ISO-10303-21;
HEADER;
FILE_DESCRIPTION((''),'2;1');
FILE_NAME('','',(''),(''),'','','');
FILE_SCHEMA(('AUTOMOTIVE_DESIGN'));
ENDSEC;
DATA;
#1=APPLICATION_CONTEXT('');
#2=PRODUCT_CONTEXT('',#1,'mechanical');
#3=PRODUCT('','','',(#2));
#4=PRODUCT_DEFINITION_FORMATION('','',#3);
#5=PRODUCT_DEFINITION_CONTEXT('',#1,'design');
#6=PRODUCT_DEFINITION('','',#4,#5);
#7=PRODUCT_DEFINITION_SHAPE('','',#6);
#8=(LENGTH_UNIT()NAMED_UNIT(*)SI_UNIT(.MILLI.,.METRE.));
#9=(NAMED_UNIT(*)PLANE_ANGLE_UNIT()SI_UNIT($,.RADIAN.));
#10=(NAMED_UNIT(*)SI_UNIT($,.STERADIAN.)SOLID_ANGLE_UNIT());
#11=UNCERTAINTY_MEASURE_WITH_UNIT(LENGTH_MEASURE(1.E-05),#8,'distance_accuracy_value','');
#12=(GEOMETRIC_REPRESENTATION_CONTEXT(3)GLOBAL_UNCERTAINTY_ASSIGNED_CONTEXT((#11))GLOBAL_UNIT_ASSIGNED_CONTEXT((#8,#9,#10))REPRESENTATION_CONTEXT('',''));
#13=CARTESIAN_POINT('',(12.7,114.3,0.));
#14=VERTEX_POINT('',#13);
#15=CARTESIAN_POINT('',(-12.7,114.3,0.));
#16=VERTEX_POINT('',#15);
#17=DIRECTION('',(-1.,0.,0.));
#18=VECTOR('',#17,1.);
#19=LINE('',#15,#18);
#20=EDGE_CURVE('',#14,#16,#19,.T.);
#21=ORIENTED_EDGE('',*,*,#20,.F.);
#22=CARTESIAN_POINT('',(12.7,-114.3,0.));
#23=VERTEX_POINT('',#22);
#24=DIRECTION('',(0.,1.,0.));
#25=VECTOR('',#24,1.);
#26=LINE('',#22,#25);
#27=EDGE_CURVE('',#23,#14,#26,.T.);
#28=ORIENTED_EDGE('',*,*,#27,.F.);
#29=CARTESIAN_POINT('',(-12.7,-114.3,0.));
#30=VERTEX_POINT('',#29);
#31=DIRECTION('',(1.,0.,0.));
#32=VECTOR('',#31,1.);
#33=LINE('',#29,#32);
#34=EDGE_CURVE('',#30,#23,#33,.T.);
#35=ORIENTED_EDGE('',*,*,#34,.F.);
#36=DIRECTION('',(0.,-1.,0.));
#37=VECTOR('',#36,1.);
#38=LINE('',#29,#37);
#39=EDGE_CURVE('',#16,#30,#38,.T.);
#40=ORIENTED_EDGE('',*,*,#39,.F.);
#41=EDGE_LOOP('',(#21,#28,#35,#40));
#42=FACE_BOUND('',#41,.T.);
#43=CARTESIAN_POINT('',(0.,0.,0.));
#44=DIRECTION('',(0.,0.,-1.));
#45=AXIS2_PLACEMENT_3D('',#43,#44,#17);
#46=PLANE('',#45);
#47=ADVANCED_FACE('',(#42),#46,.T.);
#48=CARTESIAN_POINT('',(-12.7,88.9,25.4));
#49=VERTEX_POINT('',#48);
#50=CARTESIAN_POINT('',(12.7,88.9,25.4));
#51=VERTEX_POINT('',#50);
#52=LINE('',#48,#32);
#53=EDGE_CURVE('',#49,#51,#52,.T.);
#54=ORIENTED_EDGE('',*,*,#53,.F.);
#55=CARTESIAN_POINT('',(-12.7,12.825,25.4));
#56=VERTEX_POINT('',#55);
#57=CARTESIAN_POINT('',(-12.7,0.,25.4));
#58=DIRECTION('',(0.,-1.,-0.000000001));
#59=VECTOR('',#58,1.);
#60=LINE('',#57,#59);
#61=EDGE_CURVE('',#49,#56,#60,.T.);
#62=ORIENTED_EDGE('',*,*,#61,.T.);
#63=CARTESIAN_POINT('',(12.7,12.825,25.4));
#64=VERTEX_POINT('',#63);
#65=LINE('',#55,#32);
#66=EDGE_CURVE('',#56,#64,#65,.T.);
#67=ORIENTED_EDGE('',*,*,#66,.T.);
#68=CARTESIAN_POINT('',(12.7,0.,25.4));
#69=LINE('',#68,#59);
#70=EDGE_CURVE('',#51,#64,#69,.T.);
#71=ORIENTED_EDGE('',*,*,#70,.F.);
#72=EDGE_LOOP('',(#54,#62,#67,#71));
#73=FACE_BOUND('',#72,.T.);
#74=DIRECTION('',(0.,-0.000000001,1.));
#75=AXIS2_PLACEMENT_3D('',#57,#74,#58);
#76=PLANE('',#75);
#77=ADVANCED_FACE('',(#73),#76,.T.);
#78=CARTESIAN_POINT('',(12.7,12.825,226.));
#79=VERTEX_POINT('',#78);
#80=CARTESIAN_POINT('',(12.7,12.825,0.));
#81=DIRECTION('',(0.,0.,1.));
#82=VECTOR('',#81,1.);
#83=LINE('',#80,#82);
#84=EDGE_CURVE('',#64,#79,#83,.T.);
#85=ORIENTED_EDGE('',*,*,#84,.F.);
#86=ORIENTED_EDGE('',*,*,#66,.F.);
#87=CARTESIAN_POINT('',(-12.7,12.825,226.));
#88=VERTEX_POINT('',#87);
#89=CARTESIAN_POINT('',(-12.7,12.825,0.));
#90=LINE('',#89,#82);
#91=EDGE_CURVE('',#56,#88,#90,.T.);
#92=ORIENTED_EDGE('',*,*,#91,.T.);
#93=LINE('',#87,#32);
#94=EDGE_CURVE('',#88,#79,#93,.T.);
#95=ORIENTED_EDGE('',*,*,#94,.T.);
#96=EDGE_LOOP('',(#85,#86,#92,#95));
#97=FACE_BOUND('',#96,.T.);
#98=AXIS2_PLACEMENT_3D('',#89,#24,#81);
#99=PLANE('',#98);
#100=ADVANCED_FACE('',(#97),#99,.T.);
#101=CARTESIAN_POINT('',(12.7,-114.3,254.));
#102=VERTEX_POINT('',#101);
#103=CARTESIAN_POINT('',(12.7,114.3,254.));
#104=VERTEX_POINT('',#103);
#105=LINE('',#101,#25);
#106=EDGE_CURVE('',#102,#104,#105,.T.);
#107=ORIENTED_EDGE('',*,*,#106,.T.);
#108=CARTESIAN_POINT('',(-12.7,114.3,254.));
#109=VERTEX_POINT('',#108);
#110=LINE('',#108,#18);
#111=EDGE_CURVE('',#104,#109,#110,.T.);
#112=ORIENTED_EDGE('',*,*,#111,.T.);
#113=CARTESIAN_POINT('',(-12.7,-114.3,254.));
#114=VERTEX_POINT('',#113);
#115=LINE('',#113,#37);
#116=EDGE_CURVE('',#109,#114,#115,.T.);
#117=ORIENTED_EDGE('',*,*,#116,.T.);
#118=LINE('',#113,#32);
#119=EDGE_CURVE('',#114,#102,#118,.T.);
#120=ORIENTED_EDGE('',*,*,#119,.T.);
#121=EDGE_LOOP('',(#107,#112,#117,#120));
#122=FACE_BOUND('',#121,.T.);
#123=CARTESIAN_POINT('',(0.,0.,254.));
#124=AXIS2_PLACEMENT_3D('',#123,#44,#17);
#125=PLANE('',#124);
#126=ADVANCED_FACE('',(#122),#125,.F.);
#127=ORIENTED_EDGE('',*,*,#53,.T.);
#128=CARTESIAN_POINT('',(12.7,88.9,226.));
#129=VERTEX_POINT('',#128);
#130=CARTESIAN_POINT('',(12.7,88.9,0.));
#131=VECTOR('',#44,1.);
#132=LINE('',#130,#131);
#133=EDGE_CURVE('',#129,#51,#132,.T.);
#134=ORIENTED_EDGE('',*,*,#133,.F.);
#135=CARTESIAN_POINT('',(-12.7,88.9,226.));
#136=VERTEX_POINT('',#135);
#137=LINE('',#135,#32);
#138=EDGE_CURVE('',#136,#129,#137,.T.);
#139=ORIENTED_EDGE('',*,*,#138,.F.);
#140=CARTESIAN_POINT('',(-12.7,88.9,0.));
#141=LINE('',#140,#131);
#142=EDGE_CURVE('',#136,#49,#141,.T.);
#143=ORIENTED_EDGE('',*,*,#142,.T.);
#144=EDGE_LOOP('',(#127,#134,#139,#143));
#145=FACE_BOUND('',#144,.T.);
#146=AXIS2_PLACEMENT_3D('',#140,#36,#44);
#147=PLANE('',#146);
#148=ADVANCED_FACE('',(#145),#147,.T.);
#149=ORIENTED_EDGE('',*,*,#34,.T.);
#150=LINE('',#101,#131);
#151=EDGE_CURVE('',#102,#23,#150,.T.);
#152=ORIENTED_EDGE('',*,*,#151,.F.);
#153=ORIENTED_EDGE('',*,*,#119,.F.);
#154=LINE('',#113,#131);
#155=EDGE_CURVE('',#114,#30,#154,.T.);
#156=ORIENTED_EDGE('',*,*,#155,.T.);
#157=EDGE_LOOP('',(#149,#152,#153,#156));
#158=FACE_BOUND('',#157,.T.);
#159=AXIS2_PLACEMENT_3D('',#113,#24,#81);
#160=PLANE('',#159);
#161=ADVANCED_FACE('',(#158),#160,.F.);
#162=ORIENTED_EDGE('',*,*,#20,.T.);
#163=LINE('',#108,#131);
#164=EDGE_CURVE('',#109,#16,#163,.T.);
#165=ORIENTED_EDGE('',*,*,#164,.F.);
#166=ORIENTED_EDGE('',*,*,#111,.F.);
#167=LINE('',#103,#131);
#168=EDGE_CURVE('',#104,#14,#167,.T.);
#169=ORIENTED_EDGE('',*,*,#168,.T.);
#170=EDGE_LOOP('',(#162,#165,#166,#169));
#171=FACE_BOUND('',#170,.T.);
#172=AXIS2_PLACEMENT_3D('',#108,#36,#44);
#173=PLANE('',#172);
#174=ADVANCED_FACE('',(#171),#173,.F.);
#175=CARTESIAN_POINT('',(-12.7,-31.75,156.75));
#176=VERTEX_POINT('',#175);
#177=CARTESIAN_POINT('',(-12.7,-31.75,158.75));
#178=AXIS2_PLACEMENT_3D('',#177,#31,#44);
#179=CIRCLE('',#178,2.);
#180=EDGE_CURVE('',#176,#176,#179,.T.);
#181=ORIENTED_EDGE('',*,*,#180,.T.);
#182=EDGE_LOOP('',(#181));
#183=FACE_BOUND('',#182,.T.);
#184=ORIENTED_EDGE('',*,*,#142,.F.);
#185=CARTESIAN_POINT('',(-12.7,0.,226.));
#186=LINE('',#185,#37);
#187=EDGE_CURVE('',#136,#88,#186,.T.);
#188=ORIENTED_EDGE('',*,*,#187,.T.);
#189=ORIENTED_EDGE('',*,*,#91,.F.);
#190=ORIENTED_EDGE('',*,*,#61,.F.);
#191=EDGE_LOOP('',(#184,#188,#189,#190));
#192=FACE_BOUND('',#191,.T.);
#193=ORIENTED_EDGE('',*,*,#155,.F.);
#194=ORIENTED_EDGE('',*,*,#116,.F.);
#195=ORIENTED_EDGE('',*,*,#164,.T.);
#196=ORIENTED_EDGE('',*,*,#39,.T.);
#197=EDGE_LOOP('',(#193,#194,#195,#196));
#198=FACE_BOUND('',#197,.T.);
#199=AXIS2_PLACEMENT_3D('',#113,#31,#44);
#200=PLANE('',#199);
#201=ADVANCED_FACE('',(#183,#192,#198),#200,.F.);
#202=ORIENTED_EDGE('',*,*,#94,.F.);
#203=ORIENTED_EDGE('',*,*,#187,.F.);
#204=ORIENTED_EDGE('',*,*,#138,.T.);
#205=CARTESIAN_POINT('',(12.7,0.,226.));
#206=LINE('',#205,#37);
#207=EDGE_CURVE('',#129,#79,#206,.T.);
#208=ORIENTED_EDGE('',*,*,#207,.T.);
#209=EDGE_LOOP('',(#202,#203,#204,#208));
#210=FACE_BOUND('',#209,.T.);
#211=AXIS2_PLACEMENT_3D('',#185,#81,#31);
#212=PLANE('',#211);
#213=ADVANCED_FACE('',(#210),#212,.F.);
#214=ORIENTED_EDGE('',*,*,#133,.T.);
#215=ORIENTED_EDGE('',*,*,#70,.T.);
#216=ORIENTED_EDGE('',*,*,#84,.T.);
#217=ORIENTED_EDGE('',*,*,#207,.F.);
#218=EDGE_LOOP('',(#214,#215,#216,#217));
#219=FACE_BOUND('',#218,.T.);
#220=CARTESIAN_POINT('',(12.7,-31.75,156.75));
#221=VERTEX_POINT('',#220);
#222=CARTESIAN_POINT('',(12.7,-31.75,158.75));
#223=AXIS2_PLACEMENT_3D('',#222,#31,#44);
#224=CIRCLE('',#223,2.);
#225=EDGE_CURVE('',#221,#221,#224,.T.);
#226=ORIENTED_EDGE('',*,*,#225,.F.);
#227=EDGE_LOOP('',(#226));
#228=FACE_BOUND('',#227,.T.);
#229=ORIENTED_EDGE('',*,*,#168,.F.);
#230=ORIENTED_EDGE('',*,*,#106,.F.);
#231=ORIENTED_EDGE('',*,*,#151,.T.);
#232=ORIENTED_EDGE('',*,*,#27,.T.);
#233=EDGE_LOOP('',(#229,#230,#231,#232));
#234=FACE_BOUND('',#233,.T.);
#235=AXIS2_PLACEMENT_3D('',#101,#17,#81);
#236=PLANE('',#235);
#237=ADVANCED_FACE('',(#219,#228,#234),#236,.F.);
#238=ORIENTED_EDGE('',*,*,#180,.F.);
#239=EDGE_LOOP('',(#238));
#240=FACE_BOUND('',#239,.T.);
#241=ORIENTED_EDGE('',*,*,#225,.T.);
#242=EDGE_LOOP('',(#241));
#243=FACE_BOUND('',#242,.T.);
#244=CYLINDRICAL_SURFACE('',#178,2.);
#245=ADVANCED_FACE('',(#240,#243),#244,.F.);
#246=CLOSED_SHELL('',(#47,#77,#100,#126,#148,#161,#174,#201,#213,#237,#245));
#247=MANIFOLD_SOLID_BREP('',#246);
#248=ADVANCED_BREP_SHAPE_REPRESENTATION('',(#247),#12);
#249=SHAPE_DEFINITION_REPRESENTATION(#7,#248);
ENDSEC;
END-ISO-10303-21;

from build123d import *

# Parameters (mm, degrees)
SKETCH4_W           = 25.4
SKETCH4_H           = 228.6
BOSS_EXTRUDE1_DEPTH = 254
CUT_EXTRUDE3_DEPTH  = 280.688487428
SKETCH12_R          = 2
CUT_EXTRUDE4_DEPTH  = 280.688487428


with BuildPart() as part:
    # Sketch4 → Boss-Extrude1 (new body)
    with BuildSketch(Plane.XY):
        Rectangle(SKETCH4_W, SKETCH4_H)
    extrude(amount=BOSS_EXTRUDE1_DEPTH)

    # Sketch11 → Cut-Extrude3 (cut, through all)
    with BuildSketch(Plane(origin=(12.7, 0, 0), x_dir=(0, 0, -1), z_dir=(1, 0, 0))):
        Polygon((-226.0000001, 88.9), (-25.4000001, 88.9), (-25.4, 12.825), (-226.0000001, 12.825), align=None)
    extrude(amount=-CUT_EXTRUDE3_DEPTH, mode=Mode.SUBTRACT)

    # Sketch12 → Cut-Extrude4 (cut, through all)
    with BuildSketch(Plane(origin=(12.7, 0, 0), x_dir=(0, 0, -1), z_dir=(1, 0, 0))):
        with Locations((-158.75, -31.75)):
            Circle(SKETCH12_R)
    extrude(amount=-CUT_EXTRUDE4_DEPTH, mode=Mode.SUBTRACT)


solid = part.part
